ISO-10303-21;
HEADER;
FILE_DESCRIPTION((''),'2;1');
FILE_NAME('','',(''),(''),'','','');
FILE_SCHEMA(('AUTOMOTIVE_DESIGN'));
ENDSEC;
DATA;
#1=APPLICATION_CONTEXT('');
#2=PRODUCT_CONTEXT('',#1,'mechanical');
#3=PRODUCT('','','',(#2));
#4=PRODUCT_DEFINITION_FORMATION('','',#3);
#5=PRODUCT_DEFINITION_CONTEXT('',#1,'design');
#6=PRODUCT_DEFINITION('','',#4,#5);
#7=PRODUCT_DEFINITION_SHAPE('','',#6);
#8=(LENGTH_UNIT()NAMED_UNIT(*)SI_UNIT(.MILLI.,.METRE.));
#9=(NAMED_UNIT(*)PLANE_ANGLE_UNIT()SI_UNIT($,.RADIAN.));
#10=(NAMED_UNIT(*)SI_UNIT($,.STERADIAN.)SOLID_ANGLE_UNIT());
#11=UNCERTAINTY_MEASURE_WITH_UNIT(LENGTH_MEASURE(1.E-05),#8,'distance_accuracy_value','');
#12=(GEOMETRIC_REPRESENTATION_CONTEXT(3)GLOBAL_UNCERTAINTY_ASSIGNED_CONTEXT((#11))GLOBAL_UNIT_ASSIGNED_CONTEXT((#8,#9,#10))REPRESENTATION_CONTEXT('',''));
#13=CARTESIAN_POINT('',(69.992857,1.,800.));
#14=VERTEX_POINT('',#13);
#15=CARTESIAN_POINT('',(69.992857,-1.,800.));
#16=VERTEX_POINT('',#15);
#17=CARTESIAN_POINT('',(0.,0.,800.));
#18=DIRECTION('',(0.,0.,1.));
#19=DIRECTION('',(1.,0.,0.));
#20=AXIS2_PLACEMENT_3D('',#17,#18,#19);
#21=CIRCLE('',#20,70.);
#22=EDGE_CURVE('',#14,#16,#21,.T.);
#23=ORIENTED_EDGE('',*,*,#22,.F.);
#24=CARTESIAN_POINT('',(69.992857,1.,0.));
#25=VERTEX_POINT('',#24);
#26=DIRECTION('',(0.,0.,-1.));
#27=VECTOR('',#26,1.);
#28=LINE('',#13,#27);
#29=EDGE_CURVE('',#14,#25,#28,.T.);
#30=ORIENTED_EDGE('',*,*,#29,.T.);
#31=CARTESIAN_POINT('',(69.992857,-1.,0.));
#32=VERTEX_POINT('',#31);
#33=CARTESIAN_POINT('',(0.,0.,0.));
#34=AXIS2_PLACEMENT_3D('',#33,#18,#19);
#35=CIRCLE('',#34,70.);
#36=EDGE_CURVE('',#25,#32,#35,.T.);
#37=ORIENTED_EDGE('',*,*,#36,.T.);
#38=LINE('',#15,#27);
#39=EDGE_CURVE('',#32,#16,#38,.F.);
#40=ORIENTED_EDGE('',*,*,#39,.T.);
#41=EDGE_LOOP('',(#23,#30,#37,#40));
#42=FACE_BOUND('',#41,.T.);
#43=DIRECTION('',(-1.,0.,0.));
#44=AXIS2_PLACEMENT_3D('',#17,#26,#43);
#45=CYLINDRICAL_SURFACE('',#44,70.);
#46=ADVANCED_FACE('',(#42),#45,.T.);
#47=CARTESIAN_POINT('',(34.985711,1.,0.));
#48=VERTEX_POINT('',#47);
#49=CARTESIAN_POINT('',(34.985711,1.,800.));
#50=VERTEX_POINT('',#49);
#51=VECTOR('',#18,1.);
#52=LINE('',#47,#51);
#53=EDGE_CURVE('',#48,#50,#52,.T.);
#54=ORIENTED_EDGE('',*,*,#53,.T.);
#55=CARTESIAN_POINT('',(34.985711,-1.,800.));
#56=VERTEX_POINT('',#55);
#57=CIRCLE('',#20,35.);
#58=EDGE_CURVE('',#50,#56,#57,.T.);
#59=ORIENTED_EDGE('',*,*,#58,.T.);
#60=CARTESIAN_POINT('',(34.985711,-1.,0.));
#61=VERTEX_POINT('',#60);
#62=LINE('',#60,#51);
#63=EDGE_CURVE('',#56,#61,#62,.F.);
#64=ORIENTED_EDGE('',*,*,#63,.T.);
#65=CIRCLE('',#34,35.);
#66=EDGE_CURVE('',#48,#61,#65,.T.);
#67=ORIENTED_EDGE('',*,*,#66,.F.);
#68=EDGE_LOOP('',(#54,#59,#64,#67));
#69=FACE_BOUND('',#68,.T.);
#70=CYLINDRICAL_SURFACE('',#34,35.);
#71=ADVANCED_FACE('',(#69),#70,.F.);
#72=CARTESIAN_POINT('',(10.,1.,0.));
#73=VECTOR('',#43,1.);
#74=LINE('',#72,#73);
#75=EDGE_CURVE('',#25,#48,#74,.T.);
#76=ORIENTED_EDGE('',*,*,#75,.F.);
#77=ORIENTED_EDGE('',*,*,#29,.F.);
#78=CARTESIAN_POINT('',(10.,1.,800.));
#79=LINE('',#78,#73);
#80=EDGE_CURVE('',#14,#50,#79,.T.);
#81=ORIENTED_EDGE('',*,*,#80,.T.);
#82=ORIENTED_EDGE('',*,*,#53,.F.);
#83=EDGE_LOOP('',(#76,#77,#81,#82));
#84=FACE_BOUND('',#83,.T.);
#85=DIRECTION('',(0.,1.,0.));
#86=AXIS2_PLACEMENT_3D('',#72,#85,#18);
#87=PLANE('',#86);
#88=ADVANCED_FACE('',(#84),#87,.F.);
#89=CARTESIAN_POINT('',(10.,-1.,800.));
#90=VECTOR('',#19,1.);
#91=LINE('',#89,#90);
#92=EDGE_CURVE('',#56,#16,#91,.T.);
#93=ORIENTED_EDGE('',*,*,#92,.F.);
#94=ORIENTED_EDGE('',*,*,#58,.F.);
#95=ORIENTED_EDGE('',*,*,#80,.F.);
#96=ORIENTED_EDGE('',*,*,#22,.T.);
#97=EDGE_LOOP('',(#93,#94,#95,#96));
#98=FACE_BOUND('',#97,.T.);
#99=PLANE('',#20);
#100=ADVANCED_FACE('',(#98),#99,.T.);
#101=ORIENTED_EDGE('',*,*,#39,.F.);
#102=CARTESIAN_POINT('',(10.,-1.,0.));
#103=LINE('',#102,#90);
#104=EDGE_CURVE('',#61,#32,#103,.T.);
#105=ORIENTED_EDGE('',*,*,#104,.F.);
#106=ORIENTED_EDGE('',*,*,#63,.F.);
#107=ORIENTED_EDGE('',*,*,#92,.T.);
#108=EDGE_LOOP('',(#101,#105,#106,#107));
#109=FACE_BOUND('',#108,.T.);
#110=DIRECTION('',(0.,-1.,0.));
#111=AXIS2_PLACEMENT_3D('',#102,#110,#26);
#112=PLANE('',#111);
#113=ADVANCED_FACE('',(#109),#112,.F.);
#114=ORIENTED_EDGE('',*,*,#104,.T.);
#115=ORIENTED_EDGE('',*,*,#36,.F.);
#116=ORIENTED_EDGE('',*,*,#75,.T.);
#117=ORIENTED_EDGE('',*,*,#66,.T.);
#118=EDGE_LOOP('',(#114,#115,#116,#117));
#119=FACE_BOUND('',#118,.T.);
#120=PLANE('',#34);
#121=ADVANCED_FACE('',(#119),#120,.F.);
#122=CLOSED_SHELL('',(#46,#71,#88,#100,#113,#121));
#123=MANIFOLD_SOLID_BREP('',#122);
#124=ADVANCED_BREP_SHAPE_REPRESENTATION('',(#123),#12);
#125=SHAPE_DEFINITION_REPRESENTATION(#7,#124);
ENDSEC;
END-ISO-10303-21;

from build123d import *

# Parameters (mm, degrees)
ESQUISSE1_R             = 70
BASE_EXTRUSION_DEPTH    = 800
ESQUISSE2_R             = 35
ENL_V_MAT_EXTRU_1_DEPTH = 800
ESQUISSE3_W             = 70
ESQUISSE3_H             = 2
ENL_V_MAT_EXTRU_2_DEPTH = 800


with BuildPart() as part:
    # Esquisse1 → Base-Extrusion (new body)
    with BuildSketch(Plane.XY):
        Circle(ESQUISSE1_R)
    extrude(amount=BASE_EXTRUSION_DEPTH)

    # Esquisse2 → Enlèv. mat.-Extru.1 (cut)
    with BuildSketch(Plane.XY.offset(800)):
        Circle(ESQUISSE2_R)
    extrude(amount=-ENL_V_MAT_EXTRU_1_DEPTH, mode=Mode.SUBTRACT)

    # Esquisse3 → Enlèv. mat.-Extru.2 (cut)
    with BuildSketch(Plane.XY.offset(800)):
        with Locations((45, 0)):
            Rectangle(ESQUISSE3_W, ESQUISSE3_H)
    extrude(amount=-ENL_V_MAT_EXTRU_2_DEPTH, mode=Mode.SUBTRACT)


solid = part.part
